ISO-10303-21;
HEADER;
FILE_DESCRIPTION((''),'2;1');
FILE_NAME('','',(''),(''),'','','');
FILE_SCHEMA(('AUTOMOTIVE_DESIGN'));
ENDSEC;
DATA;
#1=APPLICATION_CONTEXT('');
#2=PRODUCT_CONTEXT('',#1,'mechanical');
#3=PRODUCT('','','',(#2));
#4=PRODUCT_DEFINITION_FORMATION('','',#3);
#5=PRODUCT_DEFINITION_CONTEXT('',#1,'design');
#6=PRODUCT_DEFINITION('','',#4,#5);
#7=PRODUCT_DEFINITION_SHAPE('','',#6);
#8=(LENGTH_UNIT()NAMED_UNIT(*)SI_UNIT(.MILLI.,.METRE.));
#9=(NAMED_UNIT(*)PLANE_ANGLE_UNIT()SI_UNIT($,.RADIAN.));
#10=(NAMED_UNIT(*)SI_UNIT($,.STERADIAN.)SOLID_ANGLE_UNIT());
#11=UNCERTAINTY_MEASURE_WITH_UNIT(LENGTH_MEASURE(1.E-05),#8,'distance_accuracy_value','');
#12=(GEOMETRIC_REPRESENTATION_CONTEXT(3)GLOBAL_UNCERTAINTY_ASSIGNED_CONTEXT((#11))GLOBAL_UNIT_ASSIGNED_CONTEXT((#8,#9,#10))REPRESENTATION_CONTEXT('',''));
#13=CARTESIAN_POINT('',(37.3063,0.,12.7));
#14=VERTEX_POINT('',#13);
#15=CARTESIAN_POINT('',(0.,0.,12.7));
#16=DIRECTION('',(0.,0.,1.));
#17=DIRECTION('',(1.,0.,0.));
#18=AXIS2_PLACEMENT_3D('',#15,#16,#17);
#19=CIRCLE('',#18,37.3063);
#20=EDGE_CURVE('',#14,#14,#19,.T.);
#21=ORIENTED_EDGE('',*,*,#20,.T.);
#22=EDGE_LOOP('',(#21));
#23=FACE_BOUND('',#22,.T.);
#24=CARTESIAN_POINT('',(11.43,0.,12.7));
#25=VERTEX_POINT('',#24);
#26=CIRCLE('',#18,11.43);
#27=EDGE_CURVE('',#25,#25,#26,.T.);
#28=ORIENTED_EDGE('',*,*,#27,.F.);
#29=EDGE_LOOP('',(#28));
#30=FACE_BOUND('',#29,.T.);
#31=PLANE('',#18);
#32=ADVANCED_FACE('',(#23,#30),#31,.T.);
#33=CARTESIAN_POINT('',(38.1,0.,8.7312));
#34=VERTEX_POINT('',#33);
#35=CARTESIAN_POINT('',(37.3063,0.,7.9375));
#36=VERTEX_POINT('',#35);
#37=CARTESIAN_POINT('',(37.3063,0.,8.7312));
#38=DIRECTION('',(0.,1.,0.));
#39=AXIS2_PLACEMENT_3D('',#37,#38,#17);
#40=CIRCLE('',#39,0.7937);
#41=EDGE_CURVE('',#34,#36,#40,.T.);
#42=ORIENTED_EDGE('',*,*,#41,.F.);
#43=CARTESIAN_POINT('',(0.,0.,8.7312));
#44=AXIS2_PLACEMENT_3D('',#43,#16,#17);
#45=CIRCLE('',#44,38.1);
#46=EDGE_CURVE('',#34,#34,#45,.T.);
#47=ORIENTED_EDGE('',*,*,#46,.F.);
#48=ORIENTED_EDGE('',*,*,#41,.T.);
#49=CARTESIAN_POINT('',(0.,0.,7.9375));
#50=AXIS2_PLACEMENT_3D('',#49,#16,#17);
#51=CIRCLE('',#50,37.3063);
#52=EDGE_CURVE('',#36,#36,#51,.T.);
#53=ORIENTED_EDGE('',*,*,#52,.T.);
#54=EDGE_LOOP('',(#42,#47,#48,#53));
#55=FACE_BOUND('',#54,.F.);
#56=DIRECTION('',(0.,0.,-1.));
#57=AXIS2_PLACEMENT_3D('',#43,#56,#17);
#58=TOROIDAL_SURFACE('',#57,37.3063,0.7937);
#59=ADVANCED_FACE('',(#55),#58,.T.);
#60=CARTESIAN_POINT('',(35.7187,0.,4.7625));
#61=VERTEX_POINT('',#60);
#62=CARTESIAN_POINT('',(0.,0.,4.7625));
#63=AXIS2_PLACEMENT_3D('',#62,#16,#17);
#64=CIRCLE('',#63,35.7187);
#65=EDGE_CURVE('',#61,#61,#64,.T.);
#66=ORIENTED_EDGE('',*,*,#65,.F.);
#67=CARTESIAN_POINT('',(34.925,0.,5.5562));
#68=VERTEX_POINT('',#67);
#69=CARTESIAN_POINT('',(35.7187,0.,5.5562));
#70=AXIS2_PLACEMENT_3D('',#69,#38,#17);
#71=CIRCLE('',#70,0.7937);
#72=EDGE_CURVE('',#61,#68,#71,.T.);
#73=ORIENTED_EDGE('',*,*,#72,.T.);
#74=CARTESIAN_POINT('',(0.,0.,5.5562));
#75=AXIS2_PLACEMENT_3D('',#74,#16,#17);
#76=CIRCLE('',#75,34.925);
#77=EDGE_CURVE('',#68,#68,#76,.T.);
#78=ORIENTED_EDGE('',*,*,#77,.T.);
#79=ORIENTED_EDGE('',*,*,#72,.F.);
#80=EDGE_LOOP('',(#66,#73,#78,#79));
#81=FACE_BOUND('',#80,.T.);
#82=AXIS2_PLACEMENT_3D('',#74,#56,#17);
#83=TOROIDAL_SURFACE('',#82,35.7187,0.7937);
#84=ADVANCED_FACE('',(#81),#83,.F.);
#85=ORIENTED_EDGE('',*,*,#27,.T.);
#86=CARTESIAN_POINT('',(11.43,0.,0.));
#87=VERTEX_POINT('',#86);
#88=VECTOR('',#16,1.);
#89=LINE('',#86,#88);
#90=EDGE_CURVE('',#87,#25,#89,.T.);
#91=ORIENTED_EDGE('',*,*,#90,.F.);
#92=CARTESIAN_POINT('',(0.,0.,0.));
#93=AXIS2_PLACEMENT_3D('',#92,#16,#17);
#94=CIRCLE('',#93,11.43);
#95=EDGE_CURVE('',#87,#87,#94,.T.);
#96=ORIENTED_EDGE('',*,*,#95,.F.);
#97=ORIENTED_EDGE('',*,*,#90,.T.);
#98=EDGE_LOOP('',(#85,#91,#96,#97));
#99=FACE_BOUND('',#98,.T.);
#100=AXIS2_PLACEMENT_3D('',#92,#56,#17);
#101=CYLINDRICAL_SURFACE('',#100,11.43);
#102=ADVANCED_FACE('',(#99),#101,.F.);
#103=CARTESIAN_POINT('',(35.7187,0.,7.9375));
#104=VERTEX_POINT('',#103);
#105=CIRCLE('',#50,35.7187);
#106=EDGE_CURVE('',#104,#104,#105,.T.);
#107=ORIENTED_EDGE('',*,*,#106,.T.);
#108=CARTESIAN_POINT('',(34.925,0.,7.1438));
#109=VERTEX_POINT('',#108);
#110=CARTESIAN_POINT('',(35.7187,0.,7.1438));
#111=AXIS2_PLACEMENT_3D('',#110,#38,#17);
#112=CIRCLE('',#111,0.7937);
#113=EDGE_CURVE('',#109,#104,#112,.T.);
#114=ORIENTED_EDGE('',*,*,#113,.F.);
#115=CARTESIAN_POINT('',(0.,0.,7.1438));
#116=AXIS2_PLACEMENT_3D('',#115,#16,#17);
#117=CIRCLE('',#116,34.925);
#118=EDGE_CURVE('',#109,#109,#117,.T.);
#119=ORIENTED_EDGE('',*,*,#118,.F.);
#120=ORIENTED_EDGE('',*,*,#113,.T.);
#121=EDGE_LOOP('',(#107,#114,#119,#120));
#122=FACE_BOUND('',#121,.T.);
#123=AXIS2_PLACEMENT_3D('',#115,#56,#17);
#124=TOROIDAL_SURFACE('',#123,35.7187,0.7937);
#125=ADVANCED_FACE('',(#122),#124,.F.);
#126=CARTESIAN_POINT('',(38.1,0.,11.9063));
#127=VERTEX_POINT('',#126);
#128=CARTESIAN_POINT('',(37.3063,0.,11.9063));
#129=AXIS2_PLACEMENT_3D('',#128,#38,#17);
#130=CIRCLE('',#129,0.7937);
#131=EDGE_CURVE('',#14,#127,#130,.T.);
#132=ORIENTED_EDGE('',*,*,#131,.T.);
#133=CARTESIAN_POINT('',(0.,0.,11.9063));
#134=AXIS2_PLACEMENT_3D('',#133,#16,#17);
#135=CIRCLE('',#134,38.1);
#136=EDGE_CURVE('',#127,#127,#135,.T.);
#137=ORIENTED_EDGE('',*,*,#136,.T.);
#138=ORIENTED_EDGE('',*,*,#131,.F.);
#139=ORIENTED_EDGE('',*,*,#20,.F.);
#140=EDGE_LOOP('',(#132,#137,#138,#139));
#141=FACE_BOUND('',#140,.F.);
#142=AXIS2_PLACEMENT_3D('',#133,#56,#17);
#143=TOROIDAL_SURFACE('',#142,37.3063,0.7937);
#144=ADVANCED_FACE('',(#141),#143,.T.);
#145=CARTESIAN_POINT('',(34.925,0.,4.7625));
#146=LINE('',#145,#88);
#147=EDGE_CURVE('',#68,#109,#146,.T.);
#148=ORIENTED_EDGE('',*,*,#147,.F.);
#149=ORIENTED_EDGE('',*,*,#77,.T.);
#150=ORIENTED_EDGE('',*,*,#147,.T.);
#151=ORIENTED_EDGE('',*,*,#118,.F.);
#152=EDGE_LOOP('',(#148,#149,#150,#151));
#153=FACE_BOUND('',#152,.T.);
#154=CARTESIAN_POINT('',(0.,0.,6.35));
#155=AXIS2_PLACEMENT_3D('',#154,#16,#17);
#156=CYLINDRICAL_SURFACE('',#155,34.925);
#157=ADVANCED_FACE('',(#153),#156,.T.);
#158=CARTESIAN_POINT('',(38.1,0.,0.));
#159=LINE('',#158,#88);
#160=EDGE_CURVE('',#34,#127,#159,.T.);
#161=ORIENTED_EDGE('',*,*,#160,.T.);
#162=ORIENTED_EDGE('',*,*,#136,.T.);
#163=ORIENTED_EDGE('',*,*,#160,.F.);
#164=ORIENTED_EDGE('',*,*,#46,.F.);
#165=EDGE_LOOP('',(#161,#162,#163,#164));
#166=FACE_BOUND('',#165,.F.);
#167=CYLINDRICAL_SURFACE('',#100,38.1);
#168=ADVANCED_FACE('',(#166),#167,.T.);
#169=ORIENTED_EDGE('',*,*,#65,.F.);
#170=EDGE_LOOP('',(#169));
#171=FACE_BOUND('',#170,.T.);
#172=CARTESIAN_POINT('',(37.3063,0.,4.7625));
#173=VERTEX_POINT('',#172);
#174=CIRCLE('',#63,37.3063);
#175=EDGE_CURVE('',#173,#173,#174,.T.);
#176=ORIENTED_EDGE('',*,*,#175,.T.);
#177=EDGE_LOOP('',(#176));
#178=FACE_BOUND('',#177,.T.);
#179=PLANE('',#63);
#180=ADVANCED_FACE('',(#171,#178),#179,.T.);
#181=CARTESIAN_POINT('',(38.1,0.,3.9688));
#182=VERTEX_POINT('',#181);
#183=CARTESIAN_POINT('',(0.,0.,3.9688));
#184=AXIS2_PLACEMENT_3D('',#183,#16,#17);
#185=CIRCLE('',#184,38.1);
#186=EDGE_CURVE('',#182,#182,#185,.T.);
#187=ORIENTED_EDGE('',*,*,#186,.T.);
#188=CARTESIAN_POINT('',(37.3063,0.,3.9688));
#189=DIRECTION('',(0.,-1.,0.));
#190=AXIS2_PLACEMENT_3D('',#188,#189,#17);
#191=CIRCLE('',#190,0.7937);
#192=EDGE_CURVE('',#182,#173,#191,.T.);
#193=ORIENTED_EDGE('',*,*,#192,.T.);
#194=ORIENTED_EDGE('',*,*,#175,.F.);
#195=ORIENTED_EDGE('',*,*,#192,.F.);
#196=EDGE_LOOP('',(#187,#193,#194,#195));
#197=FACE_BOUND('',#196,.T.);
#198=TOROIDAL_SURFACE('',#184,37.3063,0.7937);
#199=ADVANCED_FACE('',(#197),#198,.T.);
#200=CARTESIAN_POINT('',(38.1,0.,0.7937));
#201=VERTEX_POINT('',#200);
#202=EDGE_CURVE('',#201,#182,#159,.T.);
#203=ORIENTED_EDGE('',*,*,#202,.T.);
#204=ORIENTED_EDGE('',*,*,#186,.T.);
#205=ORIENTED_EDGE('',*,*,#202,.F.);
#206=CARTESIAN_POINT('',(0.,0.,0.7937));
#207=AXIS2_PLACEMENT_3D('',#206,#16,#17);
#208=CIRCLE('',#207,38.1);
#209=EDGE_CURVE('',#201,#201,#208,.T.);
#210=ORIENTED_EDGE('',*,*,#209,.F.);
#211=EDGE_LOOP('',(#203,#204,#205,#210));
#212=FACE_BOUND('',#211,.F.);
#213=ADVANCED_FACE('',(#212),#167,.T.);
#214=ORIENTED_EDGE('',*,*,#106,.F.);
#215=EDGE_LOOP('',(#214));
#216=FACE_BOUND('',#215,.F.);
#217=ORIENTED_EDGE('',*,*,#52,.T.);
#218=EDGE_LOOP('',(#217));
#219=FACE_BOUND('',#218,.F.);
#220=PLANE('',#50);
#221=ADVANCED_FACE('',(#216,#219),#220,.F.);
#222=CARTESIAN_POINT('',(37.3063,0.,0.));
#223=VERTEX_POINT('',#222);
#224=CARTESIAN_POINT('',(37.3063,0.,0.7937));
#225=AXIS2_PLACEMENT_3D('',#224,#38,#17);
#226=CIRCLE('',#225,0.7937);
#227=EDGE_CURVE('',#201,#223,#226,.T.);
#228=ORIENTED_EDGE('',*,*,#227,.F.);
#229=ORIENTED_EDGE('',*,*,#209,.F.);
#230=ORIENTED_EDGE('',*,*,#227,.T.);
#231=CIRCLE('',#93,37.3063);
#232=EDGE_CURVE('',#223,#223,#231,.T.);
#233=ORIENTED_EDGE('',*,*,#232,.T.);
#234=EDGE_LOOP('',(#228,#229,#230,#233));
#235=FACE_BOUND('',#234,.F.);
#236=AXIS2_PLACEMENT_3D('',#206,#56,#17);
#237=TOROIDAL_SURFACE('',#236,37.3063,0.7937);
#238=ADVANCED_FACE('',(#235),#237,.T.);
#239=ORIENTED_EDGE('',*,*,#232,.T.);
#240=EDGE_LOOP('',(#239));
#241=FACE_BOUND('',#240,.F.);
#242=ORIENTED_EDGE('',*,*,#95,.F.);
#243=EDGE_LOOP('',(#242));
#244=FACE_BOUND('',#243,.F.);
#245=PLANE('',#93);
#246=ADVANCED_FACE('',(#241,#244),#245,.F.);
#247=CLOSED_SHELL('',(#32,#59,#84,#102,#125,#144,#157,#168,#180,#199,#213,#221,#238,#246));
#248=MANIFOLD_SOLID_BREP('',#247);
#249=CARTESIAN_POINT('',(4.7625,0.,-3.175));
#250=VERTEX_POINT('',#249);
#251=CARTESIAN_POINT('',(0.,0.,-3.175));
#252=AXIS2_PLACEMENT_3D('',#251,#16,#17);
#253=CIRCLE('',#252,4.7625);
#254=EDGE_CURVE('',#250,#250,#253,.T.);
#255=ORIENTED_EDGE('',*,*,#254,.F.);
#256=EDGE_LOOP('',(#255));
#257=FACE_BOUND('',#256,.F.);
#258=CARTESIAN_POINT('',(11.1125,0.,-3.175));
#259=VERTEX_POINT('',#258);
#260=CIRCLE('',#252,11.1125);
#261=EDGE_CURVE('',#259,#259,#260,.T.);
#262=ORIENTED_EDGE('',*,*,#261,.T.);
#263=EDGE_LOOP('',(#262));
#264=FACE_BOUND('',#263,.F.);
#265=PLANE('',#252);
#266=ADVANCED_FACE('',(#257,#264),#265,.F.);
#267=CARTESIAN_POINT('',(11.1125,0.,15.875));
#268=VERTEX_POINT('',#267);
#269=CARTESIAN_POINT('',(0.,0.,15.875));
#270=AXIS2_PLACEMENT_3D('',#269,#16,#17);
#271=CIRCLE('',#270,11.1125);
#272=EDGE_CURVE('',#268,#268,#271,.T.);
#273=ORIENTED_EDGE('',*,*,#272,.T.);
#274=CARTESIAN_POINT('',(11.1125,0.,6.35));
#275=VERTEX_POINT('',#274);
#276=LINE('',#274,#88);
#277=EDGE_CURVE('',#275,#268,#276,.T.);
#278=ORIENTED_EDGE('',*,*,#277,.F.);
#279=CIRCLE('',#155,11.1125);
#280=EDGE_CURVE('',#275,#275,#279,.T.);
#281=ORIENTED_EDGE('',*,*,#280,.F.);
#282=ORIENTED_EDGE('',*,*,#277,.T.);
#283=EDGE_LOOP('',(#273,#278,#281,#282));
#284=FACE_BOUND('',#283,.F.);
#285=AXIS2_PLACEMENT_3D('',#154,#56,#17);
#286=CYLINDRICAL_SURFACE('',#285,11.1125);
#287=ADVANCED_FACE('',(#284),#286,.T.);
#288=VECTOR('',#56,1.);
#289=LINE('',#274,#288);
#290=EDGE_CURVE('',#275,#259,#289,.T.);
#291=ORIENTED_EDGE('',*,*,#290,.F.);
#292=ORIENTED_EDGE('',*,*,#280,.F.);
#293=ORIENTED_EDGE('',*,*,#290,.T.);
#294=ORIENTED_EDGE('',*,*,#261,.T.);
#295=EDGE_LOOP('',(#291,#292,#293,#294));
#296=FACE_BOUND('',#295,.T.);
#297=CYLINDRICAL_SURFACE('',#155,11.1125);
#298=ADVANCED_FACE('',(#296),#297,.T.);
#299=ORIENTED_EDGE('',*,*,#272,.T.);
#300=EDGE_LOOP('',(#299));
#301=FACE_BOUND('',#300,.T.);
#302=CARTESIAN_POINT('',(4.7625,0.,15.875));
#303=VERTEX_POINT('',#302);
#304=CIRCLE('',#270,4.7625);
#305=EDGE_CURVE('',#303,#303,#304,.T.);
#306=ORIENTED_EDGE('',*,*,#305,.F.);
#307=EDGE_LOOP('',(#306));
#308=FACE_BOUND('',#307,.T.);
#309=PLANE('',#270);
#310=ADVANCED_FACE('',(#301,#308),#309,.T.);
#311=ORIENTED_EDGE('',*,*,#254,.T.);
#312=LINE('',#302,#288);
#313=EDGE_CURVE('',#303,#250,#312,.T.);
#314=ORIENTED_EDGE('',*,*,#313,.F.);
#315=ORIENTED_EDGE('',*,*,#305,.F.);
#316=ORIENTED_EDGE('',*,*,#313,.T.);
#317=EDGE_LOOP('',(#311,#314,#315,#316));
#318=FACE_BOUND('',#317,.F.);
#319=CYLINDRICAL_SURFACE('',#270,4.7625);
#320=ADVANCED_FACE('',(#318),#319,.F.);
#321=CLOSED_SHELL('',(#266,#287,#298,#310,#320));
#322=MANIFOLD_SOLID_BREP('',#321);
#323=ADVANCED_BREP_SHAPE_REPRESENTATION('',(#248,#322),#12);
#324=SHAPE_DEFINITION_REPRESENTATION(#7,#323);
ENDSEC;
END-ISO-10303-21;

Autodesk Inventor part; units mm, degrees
ref_plane "YZ Plane" through (0, 0, 0) normal (1, 0, 0) x (0, 1, 0)
ref_plane "XZ Plane" through (0, 0, 0) normal (0, 1, 0) x (-1, 0, 0)
sketch "Sketch1" plane through (0, 0, 0) normal (0, 0, 1) x (1, 0, 0)
  circle A0 centre (0, 0) radius 11.43
  circle A1 centre (0, 0) radius 38.1
  dimension "d0" = 22.86
  dimension "d1" = 76.2
extrude "Extrusion1" add sketch "Sketch1" along normal blind 12.7
ref_plane "Work Plane1" through (0, 0, 6.35) normal (0, 0, 1) x (1, 0, 0)
sketch "Sketch3" plane through (0, 0, 6.35) normal (0, 0, 1) x (1, 0, 0)
  circle A0 centre (0, 0) radius 11.1125
  dimension "d9" = 22.225
extrude "Extrusion3" add sketch "Sketch3" along normal mid plane 19.05
sketch "Sketch4" plane through (0, 0, 15.875) normal (0, 0, 1) x (1, 0, 0)
  circle A0 centre (0, 0) radius 4.7625
  dimension "d12" = 9.525
extrude "Extrusion4" cut sketch "Sketch4" against normal blind 25.4
sketch "Sketch5" plane through (0, 0, 6.35) normal (0, 0, 1) x (1, 0, 0)
  circle A0 centre (0, 0) radius 38.1
  circle A1 centre (0, 0) radius 34.925
  circle A2 centre (0, 0) radius 11.43 projected
  circle A3 centre (0, 0) radius 38.1 projected
  dimension "d15" = 3.175
  dimension "d16" = 0
extrude "Extrusion5" cut sketch "Sketch5" along normal mid plane 3.175 contours A0
fillet "Fillet2" radius 0.7937 6 edges at (-38.1, 0, 0) (-38.1, 0, 4.7625) (-34.925, 0, 4.7625) (-38.1, 0, 12.7) (-38.1, 0, 7.9375) (-34.925, 0, 7.9375)
properties part number "2in pulley" material "Steel, Alloy"
